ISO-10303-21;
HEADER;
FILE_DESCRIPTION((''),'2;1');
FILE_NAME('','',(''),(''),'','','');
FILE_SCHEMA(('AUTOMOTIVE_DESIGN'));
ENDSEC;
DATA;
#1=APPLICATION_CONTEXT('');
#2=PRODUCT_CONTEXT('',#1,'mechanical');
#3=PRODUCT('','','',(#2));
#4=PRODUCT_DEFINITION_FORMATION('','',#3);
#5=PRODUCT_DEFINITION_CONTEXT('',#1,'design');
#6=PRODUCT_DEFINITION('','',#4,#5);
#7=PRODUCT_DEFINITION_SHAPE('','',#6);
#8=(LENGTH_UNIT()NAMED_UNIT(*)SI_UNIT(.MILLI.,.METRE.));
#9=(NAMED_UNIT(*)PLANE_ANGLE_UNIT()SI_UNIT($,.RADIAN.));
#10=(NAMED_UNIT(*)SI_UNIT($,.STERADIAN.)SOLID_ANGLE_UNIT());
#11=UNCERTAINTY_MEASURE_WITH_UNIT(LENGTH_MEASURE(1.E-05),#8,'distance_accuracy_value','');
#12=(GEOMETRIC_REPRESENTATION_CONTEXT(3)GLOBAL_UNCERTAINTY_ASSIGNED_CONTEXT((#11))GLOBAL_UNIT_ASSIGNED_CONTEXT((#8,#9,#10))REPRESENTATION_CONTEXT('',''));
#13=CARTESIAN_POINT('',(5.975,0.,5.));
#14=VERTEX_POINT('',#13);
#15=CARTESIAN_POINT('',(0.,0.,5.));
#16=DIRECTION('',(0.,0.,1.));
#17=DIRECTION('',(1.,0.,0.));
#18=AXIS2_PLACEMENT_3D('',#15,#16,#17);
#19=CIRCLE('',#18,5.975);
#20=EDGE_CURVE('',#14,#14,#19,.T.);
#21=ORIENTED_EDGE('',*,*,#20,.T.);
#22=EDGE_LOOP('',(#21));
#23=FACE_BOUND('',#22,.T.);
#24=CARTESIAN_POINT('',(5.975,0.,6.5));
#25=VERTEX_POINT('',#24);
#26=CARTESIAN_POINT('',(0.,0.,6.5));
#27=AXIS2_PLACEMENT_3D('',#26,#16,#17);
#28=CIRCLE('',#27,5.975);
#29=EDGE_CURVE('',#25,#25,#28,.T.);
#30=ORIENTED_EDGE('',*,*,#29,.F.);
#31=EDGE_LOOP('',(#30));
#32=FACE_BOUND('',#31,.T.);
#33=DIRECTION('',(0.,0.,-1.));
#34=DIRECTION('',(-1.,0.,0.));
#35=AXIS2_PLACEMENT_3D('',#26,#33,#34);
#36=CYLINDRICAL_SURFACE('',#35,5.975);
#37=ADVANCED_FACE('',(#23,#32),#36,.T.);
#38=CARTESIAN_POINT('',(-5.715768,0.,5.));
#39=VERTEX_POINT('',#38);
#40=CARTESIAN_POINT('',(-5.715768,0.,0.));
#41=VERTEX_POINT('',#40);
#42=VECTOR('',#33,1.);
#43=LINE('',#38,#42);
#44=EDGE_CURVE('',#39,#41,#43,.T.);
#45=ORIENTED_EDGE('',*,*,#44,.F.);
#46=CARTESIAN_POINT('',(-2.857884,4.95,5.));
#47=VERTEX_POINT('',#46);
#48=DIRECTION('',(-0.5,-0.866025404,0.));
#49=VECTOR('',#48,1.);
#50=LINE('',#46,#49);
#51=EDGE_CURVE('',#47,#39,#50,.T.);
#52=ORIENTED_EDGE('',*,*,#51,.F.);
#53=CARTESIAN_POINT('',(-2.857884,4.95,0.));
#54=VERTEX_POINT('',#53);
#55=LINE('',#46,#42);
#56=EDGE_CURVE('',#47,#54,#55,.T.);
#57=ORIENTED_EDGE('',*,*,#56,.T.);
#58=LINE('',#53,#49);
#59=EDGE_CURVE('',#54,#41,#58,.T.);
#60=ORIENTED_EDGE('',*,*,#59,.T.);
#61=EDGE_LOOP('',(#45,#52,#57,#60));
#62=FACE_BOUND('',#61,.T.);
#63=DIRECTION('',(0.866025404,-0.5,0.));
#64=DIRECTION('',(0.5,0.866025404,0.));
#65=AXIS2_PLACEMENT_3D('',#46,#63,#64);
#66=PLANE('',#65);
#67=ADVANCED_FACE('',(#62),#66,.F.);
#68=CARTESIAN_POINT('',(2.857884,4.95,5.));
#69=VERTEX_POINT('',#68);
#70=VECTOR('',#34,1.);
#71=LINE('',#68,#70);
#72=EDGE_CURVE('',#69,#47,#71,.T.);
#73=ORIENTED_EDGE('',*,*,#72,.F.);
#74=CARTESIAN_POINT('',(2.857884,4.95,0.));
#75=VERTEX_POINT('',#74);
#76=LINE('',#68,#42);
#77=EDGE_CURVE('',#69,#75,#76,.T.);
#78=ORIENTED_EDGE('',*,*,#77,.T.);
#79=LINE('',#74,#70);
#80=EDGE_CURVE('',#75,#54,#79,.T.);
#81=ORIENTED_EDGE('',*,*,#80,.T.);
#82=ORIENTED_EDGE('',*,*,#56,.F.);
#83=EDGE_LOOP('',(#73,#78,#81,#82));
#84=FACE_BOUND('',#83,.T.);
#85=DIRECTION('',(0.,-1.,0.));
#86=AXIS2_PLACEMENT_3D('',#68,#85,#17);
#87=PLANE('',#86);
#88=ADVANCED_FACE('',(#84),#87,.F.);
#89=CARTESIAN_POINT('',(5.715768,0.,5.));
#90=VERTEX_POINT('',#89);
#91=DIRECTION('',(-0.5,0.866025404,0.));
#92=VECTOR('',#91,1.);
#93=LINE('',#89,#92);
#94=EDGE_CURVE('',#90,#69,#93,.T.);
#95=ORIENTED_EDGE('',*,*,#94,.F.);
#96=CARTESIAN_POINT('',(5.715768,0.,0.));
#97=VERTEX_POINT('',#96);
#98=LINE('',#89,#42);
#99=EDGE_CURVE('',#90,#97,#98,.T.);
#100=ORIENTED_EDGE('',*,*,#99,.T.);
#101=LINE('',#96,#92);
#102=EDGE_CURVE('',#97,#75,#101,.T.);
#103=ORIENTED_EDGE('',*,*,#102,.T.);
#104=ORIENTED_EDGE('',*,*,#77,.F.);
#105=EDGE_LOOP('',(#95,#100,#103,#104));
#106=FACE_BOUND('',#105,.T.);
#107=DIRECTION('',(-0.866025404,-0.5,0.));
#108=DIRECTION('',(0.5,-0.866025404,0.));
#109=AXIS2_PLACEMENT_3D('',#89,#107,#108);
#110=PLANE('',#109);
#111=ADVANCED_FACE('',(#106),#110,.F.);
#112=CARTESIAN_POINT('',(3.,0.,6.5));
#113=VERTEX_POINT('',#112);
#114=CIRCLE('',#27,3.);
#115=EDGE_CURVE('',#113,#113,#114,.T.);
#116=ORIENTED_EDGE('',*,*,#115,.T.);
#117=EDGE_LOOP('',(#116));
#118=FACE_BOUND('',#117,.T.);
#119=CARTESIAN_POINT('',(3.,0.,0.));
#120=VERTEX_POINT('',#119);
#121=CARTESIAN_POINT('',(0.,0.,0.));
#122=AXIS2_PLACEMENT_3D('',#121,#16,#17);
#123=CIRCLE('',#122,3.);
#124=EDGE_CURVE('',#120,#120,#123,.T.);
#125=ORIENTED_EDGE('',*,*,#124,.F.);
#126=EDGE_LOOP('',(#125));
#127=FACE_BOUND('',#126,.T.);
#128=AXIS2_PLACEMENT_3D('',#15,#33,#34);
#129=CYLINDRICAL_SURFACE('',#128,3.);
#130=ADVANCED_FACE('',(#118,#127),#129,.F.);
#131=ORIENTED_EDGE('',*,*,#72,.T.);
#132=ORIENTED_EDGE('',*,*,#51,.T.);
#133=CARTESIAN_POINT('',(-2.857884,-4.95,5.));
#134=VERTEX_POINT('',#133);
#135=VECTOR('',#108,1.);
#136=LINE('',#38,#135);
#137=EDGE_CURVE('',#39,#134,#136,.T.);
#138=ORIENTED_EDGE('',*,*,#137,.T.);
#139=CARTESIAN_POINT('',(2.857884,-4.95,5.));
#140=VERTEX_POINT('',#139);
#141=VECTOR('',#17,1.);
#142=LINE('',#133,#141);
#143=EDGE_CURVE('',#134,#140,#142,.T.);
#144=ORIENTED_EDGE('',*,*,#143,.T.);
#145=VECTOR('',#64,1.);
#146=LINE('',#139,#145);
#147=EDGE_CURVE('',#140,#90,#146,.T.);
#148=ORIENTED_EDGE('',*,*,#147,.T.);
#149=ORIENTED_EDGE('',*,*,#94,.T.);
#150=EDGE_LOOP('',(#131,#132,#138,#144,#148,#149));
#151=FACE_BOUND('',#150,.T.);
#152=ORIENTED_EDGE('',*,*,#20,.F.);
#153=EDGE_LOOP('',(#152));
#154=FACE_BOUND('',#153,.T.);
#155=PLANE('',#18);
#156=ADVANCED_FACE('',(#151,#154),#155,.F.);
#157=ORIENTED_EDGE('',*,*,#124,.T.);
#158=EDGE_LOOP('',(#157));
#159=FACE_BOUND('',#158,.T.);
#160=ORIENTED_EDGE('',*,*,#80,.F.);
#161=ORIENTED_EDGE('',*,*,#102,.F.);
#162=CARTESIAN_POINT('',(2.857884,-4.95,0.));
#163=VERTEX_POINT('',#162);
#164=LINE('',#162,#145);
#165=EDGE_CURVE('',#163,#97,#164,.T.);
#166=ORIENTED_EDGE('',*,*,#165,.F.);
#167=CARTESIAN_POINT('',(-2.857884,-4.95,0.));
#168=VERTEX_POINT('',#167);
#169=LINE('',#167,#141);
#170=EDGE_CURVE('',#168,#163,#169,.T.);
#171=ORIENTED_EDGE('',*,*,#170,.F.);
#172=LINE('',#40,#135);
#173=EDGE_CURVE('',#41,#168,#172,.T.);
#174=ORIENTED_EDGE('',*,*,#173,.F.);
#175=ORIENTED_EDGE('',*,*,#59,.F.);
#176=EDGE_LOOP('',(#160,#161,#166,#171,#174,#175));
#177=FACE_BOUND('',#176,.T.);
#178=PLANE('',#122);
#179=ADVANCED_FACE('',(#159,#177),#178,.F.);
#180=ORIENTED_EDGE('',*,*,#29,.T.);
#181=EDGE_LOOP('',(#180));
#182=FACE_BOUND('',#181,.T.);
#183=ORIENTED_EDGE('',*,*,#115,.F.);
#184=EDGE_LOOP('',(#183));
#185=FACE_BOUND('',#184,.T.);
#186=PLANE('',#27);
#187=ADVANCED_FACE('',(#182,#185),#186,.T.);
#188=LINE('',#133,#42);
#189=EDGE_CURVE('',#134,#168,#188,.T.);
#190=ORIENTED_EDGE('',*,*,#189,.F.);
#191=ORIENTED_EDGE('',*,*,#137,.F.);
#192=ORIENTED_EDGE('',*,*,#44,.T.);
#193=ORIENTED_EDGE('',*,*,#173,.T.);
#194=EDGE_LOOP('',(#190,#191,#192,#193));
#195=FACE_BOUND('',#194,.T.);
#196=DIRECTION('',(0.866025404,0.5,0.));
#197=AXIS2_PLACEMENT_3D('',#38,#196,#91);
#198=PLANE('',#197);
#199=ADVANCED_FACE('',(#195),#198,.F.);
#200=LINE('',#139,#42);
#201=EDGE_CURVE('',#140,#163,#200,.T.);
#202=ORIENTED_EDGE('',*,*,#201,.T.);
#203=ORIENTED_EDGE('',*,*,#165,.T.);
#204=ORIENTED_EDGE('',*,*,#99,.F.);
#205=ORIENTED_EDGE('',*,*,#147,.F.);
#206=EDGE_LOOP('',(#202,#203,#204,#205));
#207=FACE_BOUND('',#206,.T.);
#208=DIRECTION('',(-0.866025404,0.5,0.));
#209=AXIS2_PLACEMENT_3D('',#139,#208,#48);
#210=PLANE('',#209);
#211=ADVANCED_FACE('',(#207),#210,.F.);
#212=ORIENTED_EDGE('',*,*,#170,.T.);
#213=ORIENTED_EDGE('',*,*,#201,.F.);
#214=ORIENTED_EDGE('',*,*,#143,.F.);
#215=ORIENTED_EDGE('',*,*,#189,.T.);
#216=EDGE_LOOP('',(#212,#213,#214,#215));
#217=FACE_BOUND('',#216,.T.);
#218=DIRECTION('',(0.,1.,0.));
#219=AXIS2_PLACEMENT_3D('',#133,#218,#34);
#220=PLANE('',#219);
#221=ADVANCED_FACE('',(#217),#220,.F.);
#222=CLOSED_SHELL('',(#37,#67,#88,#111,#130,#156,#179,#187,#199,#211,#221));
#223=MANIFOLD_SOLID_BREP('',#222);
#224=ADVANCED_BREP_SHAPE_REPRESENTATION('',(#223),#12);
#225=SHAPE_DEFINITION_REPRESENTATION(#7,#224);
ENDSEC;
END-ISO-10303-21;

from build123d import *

# Parameters (mm, degrees)
SKETCH1_R           = 3
BOSS_EXTRUDE1_DEPTH = 5
SKETCH2_R           = 5.975
SKETCH2_R_2         = 3
BOSS_EXTRUDE2_DEPTH = 1.5


with BuildPart() as part:
    # Sketch1 → Boss-Extrude1 (new body)
    with BuildSketch(Plane.XY):
        Polygon((-5.715767665, 0), (-2.857883832, -4.95), (2.857883832, -4.95), (5.715767665, 0), (2.857883832, 4.95), (-2.857883832, 4.95), align=None)
        Circle(SKETCH1_R, mode=Mode.SUBTRACT)
    extrude(amount=BOSS_EXTRUDE1_DEPTH)

    # Sketch2 → Boss-Extrude2 (add)
    with BuildSketch(Plane.XY.offset(5)):
        Circle(SKETCH2_R)
        Circle(SKETCH2_R_2, mode=Mode.SUBTRACT)
    extrude(amount=BOSS_EXTRUDE2_DEPTH)


solid = part.part
